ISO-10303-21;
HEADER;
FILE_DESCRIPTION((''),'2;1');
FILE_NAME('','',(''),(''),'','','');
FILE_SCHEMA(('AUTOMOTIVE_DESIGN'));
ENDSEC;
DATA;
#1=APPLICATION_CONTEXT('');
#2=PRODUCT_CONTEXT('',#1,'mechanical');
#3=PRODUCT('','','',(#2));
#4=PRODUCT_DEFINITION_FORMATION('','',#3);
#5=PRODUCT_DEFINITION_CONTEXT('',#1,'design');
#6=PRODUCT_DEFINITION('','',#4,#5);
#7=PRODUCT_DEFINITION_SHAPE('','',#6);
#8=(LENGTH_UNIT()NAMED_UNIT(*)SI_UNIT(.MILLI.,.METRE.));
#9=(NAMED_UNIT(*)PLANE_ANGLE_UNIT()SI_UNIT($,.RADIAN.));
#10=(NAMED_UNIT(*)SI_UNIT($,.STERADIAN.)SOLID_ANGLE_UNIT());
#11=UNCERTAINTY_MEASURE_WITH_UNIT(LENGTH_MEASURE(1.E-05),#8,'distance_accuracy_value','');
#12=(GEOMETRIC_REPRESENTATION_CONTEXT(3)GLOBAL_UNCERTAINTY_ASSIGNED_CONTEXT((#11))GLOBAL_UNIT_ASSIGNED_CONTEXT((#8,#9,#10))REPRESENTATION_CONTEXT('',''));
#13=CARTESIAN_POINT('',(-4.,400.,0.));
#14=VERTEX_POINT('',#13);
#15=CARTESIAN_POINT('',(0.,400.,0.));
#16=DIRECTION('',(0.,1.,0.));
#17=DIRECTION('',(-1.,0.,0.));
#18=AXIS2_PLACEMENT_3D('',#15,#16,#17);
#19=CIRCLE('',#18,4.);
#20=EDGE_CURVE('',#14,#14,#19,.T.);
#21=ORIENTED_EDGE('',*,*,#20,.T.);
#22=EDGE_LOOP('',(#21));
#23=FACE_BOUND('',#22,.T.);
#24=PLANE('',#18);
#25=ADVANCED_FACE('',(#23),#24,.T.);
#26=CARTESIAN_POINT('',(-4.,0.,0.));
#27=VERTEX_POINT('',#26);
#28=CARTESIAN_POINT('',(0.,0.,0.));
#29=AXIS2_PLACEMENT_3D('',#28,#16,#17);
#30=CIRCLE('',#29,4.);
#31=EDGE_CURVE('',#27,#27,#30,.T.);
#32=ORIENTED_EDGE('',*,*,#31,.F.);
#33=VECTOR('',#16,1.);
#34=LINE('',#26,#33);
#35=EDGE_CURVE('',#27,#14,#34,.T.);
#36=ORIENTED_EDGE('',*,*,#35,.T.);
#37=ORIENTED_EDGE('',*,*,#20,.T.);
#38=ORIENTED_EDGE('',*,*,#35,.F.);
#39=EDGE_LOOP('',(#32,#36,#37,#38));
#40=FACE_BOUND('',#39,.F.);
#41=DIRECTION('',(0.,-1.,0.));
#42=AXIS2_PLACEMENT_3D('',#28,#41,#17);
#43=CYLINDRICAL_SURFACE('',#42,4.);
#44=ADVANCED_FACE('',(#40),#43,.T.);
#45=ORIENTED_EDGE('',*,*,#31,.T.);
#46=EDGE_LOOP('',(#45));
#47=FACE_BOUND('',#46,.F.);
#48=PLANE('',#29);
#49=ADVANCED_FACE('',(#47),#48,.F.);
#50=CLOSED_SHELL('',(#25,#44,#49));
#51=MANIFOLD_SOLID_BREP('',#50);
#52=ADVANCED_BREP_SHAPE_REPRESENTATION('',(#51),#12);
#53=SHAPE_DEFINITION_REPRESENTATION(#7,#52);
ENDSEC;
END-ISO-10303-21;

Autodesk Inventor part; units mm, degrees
ref_plane "YZ Plane" through (0, 0, 0) normal (1, 0, 0) x (0, 1, 0)
ref_plane "XZ Plane" through (0, 0, 0) normal (0, 1, 0) x (-1, 0, 0)
ref_plane "XY Plane" through (0, 0, 0) normal (0, 0, 1) x (1, 0, 0)
sketch "Sketch1" plane through (0, 0, 0) normal (0, 1, 0) x (-1, 0, 0)
  circle A0 centre (0, 0) radius 4
  dimension "d0" = 8
extrude "Extrusion1" add sketch "Sketch1" along normal blind 400
properties part number "Rod_400x8" material "Steel, Wrought"
